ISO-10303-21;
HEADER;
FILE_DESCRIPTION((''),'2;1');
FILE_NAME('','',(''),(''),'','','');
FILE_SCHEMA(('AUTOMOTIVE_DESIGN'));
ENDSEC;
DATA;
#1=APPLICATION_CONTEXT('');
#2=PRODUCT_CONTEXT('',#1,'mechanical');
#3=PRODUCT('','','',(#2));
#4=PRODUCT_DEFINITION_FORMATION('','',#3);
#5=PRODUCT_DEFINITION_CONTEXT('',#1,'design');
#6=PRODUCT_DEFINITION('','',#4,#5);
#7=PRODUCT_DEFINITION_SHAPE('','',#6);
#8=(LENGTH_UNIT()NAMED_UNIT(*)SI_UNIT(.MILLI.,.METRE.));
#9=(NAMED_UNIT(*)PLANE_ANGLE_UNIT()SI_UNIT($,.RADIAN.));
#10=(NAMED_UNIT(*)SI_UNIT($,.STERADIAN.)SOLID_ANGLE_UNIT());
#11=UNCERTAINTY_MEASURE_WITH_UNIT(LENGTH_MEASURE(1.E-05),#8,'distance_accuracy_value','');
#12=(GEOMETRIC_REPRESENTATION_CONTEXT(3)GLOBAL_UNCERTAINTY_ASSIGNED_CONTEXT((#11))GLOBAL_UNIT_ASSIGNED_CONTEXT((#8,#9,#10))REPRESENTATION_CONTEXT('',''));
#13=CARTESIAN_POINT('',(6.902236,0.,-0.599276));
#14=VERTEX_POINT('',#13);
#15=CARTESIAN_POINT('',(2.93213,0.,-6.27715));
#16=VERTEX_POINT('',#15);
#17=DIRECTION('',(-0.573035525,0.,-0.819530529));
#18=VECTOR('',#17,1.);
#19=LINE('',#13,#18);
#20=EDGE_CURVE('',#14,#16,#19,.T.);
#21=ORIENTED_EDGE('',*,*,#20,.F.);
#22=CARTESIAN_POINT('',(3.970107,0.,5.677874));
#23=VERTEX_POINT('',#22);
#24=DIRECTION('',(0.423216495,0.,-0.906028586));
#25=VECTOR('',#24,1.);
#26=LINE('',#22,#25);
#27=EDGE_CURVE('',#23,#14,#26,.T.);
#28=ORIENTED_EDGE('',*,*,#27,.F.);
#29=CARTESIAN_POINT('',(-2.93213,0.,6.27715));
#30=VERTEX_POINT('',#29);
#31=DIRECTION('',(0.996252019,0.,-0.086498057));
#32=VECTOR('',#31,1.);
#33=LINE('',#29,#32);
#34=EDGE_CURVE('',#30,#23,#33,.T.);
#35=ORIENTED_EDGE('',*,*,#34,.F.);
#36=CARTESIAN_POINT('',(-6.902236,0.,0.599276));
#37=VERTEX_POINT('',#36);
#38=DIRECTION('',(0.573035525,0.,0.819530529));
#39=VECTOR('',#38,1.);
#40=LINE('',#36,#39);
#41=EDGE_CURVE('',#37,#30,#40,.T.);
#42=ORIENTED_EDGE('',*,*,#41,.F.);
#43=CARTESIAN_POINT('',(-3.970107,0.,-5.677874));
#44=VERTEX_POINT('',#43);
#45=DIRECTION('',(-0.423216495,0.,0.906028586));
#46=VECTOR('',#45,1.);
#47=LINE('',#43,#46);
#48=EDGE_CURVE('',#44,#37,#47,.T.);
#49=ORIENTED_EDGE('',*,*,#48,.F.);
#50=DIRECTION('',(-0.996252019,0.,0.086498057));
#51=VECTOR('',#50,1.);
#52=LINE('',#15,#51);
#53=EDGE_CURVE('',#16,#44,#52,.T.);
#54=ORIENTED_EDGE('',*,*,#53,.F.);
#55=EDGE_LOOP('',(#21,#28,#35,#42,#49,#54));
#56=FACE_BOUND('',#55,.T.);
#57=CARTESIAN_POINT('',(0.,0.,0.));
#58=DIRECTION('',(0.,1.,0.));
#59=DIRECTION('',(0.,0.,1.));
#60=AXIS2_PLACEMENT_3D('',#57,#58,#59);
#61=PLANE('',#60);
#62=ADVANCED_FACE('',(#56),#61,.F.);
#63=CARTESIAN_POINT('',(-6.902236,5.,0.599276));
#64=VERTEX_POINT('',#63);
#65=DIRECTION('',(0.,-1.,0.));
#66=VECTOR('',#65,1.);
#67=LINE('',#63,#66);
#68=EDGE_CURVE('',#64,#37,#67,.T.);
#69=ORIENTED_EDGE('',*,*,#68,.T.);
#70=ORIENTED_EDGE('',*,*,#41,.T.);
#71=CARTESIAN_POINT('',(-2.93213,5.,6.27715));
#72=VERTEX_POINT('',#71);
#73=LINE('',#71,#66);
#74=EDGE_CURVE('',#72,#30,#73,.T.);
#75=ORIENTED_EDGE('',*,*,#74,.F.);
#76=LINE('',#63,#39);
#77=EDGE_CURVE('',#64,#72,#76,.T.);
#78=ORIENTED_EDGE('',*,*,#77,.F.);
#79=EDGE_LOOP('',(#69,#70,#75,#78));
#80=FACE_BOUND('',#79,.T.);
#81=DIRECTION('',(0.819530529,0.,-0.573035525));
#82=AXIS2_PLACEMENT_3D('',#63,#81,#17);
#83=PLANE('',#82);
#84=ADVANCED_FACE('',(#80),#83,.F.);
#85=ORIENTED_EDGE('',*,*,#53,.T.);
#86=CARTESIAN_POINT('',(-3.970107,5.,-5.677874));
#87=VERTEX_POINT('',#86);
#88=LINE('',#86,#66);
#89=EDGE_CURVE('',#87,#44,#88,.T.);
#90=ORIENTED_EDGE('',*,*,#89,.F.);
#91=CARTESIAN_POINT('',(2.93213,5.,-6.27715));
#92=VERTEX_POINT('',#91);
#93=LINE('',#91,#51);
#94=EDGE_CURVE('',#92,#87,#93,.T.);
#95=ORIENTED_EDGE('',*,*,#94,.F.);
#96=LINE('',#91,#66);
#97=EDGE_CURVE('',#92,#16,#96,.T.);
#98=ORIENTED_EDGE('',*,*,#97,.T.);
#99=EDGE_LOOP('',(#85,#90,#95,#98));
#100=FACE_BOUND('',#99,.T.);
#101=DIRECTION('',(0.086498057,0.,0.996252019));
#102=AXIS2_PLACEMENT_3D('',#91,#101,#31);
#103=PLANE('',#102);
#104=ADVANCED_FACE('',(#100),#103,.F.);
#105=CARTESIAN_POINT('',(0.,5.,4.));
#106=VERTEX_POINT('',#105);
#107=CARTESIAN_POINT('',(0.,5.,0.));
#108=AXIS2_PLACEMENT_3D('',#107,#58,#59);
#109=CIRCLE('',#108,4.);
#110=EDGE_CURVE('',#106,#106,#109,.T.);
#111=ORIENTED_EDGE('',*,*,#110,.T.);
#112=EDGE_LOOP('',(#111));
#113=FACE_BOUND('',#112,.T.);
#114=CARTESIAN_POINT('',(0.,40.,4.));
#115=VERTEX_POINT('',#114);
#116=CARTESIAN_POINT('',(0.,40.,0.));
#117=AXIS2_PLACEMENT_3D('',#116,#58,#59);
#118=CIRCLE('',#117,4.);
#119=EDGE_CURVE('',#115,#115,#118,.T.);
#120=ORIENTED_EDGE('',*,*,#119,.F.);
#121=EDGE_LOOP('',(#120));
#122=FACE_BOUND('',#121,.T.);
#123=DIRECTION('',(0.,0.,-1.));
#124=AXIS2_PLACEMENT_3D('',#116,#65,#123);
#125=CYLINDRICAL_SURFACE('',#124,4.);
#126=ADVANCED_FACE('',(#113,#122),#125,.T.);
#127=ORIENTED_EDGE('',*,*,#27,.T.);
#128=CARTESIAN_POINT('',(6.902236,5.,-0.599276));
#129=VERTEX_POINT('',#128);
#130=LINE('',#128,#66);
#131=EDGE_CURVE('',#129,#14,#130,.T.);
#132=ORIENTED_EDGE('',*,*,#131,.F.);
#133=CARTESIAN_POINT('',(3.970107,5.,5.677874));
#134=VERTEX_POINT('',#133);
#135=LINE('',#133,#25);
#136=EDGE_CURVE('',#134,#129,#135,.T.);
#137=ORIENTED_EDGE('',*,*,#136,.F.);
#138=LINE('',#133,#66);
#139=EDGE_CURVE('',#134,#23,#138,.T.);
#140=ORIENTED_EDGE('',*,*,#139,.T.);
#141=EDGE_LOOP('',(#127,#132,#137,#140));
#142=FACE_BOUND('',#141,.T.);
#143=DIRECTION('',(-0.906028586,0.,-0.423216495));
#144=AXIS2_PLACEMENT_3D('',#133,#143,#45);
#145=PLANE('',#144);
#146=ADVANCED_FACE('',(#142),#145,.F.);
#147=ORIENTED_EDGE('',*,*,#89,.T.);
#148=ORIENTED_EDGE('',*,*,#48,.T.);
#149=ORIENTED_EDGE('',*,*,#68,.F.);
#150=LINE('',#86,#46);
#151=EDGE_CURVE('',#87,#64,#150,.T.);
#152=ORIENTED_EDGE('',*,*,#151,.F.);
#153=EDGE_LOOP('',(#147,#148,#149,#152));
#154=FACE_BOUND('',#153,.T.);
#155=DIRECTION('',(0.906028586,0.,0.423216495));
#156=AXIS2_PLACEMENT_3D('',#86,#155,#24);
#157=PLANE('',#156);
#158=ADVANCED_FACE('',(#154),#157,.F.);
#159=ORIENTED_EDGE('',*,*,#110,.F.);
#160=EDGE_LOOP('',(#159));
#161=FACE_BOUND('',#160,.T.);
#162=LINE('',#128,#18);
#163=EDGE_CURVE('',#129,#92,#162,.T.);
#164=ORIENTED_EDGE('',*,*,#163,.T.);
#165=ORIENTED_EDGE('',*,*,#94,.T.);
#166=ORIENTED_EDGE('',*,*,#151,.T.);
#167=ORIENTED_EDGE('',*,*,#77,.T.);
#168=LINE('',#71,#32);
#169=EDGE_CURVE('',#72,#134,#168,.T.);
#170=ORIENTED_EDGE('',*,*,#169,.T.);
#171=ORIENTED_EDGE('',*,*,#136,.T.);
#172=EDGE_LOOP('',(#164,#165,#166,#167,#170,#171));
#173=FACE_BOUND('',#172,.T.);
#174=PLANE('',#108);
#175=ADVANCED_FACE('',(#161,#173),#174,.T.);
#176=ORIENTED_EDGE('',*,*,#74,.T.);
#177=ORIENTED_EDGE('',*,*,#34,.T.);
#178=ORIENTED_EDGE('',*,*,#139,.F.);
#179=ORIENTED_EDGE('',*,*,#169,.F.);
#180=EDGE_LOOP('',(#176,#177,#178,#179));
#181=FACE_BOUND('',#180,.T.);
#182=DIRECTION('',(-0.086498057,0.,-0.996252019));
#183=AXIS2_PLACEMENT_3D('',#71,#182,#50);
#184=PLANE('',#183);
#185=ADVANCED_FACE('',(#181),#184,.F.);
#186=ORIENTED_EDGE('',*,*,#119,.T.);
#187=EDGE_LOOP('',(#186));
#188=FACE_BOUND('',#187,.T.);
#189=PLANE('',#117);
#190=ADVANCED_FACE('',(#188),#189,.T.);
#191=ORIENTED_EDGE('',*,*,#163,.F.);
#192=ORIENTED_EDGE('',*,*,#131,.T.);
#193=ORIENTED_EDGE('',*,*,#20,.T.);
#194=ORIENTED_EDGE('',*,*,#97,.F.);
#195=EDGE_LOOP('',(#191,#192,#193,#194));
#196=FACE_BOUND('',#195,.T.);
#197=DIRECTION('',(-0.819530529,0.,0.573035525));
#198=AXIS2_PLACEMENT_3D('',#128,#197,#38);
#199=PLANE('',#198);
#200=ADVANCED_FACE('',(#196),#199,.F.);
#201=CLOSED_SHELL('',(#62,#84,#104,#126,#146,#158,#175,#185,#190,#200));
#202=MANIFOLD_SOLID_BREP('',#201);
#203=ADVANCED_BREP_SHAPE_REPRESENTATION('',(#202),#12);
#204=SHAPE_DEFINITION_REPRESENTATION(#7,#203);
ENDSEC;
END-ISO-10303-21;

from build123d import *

# Parameters (mm, degrees)
BOSS_EXTRUDE1_DEPTH = 5
SKETCH2_R           = 4
BOSS_EXTRUDE2_DEPTH = 35


with BuildPart() as part:
    # Sketch1 → Boss-Extrude1 (new body)
    with BuildSketch(Plane(origin=(0, 0, 0), x_dir=(1, 0, 0), z_dir=(0, 1, 0))):
        Polygon((3.970106574, -5.677874056), (6.902236459, 0.599276121), (2.932129885, 6.277150177), (-3.970106574, 5.677874056), (-6.902236459, -0.599276121), (-2.932129885, -6.277150177), align=None)
    extrude(amount=BOSS_EXTRUDE1_DEPTH)

    # Sketch2 → Boss-Extrude2 (add)
    with BuildSketch(Plane(origin=(0, 5, 0), x_dir=(1, 0, 0), z_dir=(0, 1, 0))):
        with Locations(Location((0, 0, 0), (0, 0, 270))):
            Circle(SKETCH2_R)
    extrude(amount=BOSS_EXTRUDE2_DEPTH)


solid = part.part
